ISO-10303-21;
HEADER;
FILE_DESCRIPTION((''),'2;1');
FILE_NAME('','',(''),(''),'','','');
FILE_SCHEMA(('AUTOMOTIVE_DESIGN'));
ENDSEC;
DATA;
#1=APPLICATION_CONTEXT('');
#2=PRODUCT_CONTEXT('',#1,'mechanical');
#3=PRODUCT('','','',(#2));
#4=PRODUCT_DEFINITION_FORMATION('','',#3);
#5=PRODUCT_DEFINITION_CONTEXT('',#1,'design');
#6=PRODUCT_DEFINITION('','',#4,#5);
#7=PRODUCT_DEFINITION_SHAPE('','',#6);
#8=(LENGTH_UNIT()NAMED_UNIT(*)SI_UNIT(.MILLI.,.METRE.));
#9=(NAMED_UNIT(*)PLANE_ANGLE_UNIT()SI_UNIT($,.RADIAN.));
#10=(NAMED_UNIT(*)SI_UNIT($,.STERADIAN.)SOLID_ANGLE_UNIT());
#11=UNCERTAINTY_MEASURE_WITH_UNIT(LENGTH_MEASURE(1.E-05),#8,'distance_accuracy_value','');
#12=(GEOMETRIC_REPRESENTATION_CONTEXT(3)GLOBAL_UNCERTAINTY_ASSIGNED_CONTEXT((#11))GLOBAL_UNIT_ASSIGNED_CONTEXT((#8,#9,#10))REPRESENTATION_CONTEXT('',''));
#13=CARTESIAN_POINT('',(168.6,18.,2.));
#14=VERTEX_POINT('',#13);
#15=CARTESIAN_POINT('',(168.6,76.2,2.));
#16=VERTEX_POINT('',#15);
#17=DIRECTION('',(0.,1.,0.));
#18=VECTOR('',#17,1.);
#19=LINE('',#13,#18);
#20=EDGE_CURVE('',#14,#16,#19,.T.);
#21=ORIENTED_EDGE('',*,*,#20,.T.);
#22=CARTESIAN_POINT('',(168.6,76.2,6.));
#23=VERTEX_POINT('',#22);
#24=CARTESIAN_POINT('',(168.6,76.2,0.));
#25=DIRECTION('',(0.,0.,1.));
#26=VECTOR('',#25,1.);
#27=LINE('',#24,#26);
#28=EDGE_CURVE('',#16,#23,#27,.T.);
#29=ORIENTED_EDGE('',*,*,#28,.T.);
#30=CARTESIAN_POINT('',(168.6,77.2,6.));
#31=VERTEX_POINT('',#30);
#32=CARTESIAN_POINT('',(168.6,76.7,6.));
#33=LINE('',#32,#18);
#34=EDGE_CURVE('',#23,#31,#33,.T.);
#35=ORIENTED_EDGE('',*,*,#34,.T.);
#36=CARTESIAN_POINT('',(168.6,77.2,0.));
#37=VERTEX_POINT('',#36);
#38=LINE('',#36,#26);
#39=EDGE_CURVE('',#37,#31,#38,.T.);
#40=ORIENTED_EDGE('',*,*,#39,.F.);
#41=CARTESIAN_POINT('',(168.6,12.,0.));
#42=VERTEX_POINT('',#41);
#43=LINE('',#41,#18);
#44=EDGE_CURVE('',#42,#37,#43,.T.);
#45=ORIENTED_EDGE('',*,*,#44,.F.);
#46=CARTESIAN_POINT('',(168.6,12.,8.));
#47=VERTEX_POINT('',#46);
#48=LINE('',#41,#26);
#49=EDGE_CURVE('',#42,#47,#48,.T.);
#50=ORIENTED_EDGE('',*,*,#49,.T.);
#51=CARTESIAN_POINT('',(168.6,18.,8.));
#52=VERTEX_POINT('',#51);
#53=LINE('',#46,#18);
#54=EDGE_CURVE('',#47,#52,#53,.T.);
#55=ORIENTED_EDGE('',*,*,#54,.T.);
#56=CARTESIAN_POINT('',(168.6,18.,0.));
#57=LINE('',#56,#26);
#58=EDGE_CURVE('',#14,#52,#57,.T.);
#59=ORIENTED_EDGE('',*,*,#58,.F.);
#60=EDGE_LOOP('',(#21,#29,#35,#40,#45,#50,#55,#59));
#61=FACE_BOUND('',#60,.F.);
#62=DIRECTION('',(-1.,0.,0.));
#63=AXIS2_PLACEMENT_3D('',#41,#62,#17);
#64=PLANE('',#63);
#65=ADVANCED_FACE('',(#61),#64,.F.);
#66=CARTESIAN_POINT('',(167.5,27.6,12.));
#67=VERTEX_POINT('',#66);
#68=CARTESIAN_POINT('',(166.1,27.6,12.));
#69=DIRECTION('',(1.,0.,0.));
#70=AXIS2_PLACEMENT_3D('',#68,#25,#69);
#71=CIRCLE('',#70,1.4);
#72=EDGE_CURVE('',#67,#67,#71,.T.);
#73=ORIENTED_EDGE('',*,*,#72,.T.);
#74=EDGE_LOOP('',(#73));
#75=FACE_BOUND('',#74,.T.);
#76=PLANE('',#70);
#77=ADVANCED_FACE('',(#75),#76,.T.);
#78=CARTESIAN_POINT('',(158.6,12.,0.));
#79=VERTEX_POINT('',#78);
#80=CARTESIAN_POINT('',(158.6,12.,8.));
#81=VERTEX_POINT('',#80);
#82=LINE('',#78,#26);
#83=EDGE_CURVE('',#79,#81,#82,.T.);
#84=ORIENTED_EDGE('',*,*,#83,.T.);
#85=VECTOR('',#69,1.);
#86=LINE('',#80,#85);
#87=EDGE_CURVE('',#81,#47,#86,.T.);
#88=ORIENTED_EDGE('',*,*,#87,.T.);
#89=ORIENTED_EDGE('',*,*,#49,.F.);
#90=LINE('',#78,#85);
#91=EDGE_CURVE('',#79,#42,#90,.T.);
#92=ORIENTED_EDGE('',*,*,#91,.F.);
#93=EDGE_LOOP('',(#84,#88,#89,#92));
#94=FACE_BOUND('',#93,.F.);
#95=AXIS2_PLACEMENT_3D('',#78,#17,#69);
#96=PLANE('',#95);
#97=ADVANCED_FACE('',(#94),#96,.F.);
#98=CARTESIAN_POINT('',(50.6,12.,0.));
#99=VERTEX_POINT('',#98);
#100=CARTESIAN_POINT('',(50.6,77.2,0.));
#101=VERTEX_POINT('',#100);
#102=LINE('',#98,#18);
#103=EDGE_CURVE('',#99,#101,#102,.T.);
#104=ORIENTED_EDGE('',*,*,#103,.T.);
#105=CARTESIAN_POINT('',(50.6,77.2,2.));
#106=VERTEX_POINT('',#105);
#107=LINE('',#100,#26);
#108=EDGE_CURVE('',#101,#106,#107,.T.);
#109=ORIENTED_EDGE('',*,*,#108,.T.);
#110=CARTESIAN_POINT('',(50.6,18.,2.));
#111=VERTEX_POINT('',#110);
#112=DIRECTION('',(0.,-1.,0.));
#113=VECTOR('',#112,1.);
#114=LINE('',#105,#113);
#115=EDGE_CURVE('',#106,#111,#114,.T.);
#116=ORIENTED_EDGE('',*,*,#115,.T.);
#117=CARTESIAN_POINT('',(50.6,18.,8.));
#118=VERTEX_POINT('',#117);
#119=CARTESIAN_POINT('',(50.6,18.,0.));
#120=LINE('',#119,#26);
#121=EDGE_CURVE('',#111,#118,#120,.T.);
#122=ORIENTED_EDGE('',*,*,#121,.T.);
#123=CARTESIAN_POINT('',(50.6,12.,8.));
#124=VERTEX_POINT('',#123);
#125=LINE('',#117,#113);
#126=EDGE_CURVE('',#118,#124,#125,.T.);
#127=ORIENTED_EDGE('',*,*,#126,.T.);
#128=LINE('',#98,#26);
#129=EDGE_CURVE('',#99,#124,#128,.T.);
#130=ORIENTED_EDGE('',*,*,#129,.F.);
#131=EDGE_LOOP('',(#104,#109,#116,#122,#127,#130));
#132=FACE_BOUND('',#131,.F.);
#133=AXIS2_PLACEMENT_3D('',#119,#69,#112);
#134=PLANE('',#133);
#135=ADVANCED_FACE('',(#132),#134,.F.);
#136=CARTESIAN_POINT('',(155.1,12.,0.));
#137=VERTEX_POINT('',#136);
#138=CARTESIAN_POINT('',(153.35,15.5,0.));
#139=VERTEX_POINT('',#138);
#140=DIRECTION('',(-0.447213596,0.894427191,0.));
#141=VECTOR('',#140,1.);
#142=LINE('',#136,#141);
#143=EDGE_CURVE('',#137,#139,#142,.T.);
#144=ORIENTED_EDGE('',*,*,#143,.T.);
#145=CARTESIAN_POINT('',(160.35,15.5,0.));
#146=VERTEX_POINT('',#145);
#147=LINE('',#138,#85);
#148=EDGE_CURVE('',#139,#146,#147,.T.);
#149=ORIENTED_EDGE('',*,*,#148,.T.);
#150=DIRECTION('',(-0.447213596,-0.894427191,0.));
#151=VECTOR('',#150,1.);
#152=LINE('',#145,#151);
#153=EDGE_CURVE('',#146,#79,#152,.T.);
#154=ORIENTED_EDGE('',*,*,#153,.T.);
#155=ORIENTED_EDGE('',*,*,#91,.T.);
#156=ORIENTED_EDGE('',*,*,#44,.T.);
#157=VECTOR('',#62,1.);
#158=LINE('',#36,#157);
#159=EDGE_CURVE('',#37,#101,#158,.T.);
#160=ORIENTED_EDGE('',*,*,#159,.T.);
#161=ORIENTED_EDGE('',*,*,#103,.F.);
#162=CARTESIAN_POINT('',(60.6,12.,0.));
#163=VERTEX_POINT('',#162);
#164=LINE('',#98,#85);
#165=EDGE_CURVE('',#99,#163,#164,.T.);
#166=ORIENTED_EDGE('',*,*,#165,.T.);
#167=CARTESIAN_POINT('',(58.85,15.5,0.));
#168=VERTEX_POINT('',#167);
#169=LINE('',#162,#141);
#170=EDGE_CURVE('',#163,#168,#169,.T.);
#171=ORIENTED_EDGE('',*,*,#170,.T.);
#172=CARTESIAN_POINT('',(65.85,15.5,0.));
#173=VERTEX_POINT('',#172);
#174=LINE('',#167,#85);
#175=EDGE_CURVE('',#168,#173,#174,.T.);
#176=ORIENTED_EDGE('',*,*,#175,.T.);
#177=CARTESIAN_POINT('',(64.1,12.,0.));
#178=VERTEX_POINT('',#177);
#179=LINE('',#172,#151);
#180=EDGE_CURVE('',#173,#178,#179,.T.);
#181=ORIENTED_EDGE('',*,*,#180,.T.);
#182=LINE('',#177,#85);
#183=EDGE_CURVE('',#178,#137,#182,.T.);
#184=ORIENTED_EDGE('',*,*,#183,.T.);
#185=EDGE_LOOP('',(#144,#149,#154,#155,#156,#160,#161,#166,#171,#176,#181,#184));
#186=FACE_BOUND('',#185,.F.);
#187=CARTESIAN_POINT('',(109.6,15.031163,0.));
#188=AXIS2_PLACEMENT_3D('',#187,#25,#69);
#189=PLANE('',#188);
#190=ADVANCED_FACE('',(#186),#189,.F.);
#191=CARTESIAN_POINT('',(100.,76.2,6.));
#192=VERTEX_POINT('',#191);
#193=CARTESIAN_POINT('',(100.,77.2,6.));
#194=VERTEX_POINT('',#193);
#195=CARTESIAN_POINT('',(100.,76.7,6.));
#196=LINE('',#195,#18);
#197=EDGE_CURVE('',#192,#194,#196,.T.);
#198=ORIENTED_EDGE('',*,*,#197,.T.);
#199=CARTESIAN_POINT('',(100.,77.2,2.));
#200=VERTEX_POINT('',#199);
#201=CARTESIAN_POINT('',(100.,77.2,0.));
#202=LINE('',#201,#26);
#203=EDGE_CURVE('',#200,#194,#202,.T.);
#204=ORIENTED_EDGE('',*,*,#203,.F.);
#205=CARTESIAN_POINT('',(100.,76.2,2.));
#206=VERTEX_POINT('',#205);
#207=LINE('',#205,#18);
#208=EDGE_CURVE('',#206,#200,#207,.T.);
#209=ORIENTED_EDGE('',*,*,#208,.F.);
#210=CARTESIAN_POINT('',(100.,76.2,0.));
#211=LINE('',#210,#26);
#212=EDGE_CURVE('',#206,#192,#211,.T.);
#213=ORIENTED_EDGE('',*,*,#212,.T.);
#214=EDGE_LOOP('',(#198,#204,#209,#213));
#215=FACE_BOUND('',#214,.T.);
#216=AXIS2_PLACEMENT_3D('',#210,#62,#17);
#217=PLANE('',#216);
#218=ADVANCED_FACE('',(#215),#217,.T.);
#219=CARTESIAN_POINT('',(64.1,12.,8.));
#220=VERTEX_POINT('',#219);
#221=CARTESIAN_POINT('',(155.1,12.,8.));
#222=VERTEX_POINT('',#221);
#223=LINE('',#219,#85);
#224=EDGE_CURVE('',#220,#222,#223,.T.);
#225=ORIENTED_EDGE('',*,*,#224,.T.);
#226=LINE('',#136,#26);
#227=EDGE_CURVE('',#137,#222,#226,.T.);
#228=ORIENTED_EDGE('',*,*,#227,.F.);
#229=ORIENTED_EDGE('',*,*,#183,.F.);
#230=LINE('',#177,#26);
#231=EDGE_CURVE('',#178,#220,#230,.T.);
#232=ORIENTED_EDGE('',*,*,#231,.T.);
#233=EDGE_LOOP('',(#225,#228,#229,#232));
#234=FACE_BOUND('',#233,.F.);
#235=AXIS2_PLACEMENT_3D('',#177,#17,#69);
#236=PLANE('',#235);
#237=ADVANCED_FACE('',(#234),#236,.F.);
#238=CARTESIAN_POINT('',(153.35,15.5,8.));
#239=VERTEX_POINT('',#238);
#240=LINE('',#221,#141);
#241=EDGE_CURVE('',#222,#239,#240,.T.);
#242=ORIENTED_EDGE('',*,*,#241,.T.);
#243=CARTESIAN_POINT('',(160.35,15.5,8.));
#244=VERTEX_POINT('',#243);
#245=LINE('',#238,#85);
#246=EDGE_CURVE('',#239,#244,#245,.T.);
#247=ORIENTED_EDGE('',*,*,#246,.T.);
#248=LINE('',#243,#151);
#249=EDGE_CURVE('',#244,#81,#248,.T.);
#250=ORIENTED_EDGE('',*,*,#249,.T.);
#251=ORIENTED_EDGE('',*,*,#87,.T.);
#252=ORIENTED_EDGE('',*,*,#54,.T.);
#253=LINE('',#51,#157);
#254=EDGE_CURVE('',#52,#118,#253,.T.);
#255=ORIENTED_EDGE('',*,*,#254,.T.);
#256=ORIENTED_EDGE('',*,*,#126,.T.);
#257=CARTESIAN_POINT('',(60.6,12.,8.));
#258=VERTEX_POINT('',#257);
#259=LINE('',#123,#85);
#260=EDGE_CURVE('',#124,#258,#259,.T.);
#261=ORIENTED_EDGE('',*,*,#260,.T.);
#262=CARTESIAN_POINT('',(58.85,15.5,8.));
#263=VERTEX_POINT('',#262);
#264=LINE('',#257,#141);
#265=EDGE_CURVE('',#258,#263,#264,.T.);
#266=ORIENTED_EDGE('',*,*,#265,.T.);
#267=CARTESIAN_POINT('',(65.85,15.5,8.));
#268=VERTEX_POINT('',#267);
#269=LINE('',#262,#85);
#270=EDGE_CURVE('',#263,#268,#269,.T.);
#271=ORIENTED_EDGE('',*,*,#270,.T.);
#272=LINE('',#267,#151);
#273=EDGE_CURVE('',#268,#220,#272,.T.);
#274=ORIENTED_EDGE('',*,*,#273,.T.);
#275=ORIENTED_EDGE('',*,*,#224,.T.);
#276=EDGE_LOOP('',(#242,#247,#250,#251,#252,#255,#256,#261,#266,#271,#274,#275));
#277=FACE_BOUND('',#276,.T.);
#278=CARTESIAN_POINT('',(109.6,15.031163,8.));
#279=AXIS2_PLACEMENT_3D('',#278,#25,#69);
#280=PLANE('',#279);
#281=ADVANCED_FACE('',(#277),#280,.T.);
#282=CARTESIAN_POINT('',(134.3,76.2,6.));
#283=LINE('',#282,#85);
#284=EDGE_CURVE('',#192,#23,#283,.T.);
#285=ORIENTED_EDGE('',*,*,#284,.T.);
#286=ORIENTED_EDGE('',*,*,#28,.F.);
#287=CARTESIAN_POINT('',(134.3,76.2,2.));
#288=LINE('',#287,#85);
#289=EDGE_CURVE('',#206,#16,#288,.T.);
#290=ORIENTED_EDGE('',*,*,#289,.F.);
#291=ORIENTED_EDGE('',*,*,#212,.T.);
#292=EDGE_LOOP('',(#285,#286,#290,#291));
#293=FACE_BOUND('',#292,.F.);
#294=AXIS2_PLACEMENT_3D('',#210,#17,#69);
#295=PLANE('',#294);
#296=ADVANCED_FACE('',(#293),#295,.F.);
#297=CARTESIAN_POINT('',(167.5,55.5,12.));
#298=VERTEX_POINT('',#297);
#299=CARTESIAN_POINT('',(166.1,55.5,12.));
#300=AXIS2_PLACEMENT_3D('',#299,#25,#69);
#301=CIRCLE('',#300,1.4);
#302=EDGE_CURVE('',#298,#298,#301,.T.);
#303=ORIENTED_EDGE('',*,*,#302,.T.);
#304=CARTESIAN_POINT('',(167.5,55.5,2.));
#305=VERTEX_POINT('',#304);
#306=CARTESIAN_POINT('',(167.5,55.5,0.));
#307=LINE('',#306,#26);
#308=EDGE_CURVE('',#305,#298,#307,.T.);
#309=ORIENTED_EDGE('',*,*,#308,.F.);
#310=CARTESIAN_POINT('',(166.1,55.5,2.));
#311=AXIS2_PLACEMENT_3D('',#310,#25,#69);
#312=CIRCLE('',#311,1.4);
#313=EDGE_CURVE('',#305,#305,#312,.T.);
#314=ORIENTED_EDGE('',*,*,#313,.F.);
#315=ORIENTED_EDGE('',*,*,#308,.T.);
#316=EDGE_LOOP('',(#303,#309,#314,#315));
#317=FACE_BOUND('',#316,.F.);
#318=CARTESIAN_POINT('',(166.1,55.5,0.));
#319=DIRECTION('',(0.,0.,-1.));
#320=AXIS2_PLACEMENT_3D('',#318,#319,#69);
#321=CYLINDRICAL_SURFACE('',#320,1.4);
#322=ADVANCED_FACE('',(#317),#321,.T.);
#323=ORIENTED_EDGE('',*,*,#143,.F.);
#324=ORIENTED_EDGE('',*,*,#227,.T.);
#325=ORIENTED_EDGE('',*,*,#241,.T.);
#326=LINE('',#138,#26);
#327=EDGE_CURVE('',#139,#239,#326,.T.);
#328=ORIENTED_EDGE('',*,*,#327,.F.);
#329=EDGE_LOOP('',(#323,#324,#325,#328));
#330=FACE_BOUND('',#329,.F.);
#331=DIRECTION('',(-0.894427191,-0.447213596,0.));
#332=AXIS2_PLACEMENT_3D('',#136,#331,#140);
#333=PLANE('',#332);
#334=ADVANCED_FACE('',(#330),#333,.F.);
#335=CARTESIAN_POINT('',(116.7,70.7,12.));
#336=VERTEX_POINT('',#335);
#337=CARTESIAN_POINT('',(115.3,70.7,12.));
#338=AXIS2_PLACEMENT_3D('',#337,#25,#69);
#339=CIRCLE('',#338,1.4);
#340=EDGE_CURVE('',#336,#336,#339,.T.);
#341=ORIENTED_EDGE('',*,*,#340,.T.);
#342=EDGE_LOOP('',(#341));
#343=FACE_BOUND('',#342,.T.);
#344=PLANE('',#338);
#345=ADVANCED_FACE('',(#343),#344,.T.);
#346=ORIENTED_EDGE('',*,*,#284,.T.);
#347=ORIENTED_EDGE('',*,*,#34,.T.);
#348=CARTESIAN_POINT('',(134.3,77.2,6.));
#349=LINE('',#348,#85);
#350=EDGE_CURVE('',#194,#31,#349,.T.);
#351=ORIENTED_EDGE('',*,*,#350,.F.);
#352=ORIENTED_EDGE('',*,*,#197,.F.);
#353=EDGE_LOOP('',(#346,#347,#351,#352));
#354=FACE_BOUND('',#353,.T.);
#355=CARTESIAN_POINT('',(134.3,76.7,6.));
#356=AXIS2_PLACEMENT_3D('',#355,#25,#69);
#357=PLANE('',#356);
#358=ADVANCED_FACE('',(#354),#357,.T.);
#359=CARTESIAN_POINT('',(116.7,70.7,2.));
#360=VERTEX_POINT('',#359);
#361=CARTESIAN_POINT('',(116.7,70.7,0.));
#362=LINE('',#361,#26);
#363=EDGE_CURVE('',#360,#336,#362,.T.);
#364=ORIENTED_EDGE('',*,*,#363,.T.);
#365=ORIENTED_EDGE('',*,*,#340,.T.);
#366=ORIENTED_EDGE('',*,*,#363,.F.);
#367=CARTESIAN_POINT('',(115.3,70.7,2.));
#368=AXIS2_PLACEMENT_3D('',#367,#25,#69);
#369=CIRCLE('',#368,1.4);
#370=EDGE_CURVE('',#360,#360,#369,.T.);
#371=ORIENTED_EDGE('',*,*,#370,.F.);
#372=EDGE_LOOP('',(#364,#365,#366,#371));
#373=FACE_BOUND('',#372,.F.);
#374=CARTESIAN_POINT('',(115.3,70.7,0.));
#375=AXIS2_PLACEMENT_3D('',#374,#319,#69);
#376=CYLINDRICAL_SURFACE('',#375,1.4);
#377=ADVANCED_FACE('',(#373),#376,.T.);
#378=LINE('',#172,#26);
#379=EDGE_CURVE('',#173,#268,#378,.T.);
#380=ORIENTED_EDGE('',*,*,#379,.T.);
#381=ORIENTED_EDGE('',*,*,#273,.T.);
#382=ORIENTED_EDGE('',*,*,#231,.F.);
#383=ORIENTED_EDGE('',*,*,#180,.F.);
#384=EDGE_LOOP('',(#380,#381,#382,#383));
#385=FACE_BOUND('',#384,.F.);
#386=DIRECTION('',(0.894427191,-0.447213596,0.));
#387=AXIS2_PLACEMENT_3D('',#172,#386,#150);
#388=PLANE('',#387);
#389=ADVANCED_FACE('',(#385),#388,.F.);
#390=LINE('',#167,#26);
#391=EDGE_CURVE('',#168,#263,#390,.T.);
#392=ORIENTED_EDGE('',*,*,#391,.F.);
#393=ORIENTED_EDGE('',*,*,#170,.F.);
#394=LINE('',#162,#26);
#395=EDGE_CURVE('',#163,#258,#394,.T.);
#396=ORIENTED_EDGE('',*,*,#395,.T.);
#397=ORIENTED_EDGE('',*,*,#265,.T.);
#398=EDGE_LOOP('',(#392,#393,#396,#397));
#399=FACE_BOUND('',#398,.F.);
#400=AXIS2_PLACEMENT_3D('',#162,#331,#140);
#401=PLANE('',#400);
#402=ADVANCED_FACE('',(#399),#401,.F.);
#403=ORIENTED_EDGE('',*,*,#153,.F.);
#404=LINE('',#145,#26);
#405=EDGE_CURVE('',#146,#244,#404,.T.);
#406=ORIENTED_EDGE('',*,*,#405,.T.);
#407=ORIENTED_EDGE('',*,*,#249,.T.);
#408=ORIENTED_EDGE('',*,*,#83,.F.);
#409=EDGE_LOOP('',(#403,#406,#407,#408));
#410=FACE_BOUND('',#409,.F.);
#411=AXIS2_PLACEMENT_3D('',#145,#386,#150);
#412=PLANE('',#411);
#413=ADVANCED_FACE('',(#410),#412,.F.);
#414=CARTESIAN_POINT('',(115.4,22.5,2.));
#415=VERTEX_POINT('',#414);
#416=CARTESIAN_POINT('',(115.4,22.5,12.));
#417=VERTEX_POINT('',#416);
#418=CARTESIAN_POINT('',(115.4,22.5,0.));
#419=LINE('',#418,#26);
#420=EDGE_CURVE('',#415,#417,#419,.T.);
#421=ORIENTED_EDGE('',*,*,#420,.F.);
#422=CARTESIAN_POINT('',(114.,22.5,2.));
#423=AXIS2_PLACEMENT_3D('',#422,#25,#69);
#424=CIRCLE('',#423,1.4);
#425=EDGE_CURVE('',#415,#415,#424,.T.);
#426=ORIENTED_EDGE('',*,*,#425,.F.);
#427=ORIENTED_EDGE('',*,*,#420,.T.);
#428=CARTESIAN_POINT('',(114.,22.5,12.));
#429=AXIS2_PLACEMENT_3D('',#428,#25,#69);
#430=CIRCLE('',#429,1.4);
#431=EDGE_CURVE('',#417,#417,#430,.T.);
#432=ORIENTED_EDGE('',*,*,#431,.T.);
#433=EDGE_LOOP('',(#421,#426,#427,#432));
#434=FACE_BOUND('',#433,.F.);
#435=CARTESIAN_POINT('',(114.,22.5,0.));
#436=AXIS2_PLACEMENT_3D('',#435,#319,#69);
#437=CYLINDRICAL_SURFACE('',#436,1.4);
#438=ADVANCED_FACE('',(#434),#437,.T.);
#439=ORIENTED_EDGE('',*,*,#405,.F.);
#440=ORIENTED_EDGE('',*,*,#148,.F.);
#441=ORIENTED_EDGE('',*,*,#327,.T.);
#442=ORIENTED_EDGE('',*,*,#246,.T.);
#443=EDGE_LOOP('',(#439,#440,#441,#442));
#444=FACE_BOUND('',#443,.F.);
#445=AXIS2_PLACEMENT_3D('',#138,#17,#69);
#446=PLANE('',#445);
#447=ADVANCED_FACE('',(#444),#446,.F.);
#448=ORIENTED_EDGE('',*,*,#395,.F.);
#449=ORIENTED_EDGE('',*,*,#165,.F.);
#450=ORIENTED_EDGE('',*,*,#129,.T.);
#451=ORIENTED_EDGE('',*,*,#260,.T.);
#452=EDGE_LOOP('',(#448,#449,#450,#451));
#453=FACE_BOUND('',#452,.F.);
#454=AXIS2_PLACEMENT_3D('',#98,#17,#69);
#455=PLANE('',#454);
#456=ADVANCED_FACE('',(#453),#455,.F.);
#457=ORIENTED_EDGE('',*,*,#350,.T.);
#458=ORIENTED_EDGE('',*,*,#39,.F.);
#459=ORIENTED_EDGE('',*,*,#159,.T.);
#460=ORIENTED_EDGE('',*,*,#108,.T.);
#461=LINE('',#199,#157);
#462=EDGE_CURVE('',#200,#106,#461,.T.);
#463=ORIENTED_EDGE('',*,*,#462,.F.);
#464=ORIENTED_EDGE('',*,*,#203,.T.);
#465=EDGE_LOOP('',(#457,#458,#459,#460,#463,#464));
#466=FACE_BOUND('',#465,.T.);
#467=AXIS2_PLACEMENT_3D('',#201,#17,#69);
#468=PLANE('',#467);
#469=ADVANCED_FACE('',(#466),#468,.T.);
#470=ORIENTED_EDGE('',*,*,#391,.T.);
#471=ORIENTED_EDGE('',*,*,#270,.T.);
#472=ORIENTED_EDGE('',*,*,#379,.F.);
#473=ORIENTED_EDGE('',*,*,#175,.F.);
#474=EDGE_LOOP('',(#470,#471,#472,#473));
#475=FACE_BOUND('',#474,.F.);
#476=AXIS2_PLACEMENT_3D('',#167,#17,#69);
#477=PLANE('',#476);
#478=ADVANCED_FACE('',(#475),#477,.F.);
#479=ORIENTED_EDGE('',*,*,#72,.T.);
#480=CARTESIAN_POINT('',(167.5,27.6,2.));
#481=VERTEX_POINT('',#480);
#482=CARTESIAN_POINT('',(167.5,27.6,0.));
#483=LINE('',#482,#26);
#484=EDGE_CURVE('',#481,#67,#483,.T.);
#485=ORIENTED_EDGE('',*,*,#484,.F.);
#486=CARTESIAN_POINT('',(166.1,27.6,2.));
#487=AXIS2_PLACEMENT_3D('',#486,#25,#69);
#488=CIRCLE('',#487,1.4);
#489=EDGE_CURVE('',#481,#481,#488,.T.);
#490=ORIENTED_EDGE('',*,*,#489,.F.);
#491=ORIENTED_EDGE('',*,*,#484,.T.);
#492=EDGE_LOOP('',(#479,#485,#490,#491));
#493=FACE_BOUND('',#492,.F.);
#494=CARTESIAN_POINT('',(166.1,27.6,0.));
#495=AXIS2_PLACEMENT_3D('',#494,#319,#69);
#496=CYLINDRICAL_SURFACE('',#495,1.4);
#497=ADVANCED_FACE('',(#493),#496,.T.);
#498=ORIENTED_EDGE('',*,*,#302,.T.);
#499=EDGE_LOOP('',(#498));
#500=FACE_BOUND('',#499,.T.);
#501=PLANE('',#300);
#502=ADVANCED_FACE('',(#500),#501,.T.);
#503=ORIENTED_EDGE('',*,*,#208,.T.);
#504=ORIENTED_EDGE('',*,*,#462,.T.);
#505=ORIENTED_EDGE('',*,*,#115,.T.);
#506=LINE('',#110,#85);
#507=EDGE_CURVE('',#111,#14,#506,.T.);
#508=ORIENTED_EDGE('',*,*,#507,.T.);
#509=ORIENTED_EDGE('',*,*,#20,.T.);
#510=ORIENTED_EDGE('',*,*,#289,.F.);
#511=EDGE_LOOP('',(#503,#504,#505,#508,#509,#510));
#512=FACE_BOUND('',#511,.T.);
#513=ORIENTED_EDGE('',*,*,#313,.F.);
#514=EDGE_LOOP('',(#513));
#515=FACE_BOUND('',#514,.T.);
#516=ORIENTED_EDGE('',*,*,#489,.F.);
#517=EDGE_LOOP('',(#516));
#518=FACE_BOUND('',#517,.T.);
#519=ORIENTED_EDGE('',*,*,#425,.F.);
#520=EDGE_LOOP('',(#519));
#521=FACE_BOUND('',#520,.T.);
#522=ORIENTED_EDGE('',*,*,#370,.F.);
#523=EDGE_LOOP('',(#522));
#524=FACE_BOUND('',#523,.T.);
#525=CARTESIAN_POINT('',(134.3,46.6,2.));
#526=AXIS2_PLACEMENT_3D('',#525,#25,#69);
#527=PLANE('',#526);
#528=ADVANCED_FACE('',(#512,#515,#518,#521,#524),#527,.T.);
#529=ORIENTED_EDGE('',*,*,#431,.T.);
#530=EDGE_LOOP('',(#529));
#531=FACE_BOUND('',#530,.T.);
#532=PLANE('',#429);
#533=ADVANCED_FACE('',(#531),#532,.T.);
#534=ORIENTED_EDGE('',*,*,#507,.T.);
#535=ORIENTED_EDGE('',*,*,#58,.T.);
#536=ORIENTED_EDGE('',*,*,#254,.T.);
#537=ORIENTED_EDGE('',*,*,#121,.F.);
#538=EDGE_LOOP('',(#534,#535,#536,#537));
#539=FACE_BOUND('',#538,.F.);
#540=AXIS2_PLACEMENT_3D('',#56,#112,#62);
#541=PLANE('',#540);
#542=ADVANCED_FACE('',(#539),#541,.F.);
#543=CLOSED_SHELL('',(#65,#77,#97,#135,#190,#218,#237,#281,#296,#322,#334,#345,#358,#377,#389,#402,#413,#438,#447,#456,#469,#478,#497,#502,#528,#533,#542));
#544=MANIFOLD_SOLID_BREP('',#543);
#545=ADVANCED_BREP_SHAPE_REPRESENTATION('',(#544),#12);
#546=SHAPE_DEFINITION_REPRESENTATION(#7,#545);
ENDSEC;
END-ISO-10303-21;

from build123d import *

# Parameters (mm, degrees)
F0_W     = 68.6
F0_H     = 53.2
F0_R     = 1.4
F0_H_2   = 3
F1_DEPTH = 2
F2_DEPTH = 12
F0_H_3   = 1
F3_DEPTH = 6
F4_DEPTH = 8


with BuildPart() as f1:
    # F0 (on Top) → F1 (new body)
    with BuildSketch(Plane.XY):
        with Locations((134.3, 46.6)):
            Rectangle(F0_W, F0_H)
        with Locations((114, 22.5)):
            Circle(F0_R, mode=Mode.SUBTRACT)
        with Locations((166.1, 27.6)):
            Circle(F0_R, mode=Mode.SUBTRACT)
        with Locations((166.1, 55.5)):
            Circle(F0_R, mode=Mode.SUBTRACT)
        with Locations((115.3, 70.7)):
            Circle(F0_R, mode=Mode.SUBTRACT)
        with Locations((134.3, 74.7)):
            Rectangle(F0_W, F0_H_2)
        Polygon((168.6, 20), (100, 20), (50.6, 20), (50.6, 18), (168.6, 18), align=None)
        Polygon((100, 20), (100, 73.2), (100, 76.2), (100, 77.2), (50.6, 77.2), (50.6, 20), align=None)
    extrude(amount=F1_DEPTH)

    # F0 (on Top) → F2 (join)
    with BuildSketch(Plane.XY):
        with Locations((115.3, 70.7)):
            Circle(F0_R)
        with Locations((166.1, 55.5)):
            Circle(F0_R)
        with Locations((166.1, 27.6)):
            Circle(F0_R)
        with Locations((114, 22.5)):
            Circle(F0_R)
    extrude(amount=F2_DEPTH)

    # F0 (on Top) → F3 (join)
    with BuildSketch(Plane.XY):
        with Locations((134.3, 76.7)):
            Rectangle(F0_W, F0_H_3)
    extrude(amount=F3_DEPTH)

    # F0 (on Top) → F4 (join)
    with BuildSketch(Plane.XY):
        Polygon((168.6, 12), (168.6, 18), (50.6, 18), (50.6, 12), (60.6, 12), (58.85, 15.5), (62.35, 15.5), (65.85, 15.5), (64.1, 12), (155.1, 12), (153.35, 15.5), (156.85, 15.5), (160.35, 15.5), (158.6, 12), align=None)
    extrude(amount=F4_DEPTH)


solid = f1.part
